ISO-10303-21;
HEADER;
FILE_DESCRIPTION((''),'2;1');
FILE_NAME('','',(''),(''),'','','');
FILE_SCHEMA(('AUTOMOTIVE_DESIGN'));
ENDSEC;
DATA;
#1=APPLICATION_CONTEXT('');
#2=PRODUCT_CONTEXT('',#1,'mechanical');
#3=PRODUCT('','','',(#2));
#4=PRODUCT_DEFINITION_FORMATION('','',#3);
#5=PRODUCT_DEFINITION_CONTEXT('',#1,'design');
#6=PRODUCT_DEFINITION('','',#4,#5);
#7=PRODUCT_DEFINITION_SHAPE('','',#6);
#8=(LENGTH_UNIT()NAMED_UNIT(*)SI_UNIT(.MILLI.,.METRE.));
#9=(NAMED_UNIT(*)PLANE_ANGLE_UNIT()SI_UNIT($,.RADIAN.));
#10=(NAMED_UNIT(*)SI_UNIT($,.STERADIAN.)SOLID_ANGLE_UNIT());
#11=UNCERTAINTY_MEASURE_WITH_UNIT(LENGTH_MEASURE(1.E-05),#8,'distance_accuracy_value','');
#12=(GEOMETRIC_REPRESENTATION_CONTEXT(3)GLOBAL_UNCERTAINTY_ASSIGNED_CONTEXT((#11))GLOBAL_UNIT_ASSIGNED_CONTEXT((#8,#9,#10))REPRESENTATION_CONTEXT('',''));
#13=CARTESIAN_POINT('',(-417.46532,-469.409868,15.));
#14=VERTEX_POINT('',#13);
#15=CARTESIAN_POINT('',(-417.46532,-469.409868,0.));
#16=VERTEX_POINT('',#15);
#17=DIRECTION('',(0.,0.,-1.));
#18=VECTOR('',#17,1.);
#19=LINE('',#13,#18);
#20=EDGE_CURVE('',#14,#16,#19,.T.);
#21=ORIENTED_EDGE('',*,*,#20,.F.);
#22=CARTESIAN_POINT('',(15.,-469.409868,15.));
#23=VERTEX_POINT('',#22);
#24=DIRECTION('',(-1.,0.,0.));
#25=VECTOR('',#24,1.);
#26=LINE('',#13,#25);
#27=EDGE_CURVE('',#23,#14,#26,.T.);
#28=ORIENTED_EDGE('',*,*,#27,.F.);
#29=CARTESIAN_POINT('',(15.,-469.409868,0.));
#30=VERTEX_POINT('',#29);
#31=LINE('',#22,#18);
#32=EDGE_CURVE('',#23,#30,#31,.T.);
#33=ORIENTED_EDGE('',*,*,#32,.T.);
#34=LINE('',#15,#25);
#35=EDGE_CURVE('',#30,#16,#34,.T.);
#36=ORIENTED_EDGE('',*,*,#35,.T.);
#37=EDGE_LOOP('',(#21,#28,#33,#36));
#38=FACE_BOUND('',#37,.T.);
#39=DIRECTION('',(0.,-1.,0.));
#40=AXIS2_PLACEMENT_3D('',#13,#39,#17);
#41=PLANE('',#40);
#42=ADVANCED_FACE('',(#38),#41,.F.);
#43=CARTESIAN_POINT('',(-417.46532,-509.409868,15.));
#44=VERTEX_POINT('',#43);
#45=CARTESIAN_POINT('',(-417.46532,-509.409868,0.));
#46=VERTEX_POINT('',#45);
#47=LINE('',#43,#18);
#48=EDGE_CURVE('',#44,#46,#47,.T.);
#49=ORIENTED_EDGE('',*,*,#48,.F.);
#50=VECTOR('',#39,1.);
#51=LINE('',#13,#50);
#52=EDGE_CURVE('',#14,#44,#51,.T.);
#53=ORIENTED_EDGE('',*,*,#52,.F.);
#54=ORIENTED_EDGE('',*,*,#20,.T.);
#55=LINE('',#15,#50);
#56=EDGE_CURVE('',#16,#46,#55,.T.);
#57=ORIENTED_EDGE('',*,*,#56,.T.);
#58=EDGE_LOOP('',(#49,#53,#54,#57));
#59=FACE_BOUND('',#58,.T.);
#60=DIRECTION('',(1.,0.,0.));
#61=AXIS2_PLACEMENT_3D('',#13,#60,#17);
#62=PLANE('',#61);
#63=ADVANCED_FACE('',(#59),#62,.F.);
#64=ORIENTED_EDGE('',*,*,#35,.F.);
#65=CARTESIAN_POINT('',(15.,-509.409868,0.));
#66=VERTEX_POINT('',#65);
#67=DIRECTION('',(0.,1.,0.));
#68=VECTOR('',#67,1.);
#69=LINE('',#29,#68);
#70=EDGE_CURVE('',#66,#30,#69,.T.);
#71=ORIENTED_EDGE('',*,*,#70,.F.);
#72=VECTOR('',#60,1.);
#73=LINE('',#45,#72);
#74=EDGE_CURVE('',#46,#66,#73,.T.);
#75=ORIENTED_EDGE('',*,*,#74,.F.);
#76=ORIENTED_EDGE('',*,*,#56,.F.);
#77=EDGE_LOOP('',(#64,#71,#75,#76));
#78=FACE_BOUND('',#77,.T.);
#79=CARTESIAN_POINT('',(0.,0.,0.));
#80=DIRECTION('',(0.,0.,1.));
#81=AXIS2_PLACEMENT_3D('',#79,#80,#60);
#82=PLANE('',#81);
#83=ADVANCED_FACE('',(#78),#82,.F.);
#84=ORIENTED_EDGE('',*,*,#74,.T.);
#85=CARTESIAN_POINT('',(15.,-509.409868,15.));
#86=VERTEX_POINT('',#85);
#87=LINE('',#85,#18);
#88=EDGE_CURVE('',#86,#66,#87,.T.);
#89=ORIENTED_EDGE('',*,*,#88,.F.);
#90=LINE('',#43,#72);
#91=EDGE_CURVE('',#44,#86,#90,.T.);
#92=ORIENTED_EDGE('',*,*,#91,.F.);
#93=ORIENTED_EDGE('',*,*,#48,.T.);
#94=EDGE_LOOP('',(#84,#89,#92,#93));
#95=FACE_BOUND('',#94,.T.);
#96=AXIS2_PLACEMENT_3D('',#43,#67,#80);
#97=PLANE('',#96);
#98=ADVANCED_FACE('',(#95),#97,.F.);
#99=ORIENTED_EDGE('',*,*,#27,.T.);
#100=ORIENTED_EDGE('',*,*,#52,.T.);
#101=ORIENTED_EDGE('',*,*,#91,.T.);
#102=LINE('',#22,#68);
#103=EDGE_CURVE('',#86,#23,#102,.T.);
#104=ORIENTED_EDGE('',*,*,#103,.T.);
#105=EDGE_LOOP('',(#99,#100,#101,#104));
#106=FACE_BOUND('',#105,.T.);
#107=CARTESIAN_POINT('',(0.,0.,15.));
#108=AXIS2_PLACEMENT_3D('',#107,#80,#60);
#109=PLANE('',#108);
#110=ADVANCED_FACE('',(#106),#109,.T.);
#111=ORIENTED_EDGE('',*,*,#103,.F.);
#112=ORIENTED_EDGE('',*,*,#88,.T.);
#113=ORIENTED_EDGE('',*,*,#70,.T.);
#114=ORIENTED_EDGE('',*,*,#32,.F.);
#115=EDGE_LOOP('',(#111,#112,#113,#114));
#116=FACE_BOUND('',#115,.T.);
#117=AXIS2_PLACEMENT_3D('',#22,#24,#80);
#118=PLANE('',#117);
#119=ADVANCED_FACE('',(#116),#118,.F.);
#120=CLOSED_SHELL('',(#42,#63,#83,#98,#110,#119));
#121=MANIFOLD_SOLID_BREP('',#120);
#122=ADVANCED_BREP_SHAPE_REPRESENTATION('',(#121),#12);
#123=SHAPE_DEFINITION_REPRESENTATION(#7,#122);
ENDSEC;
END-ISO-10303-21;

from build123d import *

# Parameters (mm, degrees)
ESQUISSE1_W        = 432.465319529
ESQUISSE1_H        = 40
BOSS_EXTRU_1_DEPTH = 15


with BuildPart() as part:
    # Esquisse1 → Boss.-Extru.1 (new body)
    with BuildSketch(Plane.XY):
        with Locations((-201.232659764, -489.409867617)):
            Rectangle(ESQUISSE1_W, ESQUISSE1_H)
    extrude(amount=BOSS_EXTRU_1_DEPTH)


solid = part.part
